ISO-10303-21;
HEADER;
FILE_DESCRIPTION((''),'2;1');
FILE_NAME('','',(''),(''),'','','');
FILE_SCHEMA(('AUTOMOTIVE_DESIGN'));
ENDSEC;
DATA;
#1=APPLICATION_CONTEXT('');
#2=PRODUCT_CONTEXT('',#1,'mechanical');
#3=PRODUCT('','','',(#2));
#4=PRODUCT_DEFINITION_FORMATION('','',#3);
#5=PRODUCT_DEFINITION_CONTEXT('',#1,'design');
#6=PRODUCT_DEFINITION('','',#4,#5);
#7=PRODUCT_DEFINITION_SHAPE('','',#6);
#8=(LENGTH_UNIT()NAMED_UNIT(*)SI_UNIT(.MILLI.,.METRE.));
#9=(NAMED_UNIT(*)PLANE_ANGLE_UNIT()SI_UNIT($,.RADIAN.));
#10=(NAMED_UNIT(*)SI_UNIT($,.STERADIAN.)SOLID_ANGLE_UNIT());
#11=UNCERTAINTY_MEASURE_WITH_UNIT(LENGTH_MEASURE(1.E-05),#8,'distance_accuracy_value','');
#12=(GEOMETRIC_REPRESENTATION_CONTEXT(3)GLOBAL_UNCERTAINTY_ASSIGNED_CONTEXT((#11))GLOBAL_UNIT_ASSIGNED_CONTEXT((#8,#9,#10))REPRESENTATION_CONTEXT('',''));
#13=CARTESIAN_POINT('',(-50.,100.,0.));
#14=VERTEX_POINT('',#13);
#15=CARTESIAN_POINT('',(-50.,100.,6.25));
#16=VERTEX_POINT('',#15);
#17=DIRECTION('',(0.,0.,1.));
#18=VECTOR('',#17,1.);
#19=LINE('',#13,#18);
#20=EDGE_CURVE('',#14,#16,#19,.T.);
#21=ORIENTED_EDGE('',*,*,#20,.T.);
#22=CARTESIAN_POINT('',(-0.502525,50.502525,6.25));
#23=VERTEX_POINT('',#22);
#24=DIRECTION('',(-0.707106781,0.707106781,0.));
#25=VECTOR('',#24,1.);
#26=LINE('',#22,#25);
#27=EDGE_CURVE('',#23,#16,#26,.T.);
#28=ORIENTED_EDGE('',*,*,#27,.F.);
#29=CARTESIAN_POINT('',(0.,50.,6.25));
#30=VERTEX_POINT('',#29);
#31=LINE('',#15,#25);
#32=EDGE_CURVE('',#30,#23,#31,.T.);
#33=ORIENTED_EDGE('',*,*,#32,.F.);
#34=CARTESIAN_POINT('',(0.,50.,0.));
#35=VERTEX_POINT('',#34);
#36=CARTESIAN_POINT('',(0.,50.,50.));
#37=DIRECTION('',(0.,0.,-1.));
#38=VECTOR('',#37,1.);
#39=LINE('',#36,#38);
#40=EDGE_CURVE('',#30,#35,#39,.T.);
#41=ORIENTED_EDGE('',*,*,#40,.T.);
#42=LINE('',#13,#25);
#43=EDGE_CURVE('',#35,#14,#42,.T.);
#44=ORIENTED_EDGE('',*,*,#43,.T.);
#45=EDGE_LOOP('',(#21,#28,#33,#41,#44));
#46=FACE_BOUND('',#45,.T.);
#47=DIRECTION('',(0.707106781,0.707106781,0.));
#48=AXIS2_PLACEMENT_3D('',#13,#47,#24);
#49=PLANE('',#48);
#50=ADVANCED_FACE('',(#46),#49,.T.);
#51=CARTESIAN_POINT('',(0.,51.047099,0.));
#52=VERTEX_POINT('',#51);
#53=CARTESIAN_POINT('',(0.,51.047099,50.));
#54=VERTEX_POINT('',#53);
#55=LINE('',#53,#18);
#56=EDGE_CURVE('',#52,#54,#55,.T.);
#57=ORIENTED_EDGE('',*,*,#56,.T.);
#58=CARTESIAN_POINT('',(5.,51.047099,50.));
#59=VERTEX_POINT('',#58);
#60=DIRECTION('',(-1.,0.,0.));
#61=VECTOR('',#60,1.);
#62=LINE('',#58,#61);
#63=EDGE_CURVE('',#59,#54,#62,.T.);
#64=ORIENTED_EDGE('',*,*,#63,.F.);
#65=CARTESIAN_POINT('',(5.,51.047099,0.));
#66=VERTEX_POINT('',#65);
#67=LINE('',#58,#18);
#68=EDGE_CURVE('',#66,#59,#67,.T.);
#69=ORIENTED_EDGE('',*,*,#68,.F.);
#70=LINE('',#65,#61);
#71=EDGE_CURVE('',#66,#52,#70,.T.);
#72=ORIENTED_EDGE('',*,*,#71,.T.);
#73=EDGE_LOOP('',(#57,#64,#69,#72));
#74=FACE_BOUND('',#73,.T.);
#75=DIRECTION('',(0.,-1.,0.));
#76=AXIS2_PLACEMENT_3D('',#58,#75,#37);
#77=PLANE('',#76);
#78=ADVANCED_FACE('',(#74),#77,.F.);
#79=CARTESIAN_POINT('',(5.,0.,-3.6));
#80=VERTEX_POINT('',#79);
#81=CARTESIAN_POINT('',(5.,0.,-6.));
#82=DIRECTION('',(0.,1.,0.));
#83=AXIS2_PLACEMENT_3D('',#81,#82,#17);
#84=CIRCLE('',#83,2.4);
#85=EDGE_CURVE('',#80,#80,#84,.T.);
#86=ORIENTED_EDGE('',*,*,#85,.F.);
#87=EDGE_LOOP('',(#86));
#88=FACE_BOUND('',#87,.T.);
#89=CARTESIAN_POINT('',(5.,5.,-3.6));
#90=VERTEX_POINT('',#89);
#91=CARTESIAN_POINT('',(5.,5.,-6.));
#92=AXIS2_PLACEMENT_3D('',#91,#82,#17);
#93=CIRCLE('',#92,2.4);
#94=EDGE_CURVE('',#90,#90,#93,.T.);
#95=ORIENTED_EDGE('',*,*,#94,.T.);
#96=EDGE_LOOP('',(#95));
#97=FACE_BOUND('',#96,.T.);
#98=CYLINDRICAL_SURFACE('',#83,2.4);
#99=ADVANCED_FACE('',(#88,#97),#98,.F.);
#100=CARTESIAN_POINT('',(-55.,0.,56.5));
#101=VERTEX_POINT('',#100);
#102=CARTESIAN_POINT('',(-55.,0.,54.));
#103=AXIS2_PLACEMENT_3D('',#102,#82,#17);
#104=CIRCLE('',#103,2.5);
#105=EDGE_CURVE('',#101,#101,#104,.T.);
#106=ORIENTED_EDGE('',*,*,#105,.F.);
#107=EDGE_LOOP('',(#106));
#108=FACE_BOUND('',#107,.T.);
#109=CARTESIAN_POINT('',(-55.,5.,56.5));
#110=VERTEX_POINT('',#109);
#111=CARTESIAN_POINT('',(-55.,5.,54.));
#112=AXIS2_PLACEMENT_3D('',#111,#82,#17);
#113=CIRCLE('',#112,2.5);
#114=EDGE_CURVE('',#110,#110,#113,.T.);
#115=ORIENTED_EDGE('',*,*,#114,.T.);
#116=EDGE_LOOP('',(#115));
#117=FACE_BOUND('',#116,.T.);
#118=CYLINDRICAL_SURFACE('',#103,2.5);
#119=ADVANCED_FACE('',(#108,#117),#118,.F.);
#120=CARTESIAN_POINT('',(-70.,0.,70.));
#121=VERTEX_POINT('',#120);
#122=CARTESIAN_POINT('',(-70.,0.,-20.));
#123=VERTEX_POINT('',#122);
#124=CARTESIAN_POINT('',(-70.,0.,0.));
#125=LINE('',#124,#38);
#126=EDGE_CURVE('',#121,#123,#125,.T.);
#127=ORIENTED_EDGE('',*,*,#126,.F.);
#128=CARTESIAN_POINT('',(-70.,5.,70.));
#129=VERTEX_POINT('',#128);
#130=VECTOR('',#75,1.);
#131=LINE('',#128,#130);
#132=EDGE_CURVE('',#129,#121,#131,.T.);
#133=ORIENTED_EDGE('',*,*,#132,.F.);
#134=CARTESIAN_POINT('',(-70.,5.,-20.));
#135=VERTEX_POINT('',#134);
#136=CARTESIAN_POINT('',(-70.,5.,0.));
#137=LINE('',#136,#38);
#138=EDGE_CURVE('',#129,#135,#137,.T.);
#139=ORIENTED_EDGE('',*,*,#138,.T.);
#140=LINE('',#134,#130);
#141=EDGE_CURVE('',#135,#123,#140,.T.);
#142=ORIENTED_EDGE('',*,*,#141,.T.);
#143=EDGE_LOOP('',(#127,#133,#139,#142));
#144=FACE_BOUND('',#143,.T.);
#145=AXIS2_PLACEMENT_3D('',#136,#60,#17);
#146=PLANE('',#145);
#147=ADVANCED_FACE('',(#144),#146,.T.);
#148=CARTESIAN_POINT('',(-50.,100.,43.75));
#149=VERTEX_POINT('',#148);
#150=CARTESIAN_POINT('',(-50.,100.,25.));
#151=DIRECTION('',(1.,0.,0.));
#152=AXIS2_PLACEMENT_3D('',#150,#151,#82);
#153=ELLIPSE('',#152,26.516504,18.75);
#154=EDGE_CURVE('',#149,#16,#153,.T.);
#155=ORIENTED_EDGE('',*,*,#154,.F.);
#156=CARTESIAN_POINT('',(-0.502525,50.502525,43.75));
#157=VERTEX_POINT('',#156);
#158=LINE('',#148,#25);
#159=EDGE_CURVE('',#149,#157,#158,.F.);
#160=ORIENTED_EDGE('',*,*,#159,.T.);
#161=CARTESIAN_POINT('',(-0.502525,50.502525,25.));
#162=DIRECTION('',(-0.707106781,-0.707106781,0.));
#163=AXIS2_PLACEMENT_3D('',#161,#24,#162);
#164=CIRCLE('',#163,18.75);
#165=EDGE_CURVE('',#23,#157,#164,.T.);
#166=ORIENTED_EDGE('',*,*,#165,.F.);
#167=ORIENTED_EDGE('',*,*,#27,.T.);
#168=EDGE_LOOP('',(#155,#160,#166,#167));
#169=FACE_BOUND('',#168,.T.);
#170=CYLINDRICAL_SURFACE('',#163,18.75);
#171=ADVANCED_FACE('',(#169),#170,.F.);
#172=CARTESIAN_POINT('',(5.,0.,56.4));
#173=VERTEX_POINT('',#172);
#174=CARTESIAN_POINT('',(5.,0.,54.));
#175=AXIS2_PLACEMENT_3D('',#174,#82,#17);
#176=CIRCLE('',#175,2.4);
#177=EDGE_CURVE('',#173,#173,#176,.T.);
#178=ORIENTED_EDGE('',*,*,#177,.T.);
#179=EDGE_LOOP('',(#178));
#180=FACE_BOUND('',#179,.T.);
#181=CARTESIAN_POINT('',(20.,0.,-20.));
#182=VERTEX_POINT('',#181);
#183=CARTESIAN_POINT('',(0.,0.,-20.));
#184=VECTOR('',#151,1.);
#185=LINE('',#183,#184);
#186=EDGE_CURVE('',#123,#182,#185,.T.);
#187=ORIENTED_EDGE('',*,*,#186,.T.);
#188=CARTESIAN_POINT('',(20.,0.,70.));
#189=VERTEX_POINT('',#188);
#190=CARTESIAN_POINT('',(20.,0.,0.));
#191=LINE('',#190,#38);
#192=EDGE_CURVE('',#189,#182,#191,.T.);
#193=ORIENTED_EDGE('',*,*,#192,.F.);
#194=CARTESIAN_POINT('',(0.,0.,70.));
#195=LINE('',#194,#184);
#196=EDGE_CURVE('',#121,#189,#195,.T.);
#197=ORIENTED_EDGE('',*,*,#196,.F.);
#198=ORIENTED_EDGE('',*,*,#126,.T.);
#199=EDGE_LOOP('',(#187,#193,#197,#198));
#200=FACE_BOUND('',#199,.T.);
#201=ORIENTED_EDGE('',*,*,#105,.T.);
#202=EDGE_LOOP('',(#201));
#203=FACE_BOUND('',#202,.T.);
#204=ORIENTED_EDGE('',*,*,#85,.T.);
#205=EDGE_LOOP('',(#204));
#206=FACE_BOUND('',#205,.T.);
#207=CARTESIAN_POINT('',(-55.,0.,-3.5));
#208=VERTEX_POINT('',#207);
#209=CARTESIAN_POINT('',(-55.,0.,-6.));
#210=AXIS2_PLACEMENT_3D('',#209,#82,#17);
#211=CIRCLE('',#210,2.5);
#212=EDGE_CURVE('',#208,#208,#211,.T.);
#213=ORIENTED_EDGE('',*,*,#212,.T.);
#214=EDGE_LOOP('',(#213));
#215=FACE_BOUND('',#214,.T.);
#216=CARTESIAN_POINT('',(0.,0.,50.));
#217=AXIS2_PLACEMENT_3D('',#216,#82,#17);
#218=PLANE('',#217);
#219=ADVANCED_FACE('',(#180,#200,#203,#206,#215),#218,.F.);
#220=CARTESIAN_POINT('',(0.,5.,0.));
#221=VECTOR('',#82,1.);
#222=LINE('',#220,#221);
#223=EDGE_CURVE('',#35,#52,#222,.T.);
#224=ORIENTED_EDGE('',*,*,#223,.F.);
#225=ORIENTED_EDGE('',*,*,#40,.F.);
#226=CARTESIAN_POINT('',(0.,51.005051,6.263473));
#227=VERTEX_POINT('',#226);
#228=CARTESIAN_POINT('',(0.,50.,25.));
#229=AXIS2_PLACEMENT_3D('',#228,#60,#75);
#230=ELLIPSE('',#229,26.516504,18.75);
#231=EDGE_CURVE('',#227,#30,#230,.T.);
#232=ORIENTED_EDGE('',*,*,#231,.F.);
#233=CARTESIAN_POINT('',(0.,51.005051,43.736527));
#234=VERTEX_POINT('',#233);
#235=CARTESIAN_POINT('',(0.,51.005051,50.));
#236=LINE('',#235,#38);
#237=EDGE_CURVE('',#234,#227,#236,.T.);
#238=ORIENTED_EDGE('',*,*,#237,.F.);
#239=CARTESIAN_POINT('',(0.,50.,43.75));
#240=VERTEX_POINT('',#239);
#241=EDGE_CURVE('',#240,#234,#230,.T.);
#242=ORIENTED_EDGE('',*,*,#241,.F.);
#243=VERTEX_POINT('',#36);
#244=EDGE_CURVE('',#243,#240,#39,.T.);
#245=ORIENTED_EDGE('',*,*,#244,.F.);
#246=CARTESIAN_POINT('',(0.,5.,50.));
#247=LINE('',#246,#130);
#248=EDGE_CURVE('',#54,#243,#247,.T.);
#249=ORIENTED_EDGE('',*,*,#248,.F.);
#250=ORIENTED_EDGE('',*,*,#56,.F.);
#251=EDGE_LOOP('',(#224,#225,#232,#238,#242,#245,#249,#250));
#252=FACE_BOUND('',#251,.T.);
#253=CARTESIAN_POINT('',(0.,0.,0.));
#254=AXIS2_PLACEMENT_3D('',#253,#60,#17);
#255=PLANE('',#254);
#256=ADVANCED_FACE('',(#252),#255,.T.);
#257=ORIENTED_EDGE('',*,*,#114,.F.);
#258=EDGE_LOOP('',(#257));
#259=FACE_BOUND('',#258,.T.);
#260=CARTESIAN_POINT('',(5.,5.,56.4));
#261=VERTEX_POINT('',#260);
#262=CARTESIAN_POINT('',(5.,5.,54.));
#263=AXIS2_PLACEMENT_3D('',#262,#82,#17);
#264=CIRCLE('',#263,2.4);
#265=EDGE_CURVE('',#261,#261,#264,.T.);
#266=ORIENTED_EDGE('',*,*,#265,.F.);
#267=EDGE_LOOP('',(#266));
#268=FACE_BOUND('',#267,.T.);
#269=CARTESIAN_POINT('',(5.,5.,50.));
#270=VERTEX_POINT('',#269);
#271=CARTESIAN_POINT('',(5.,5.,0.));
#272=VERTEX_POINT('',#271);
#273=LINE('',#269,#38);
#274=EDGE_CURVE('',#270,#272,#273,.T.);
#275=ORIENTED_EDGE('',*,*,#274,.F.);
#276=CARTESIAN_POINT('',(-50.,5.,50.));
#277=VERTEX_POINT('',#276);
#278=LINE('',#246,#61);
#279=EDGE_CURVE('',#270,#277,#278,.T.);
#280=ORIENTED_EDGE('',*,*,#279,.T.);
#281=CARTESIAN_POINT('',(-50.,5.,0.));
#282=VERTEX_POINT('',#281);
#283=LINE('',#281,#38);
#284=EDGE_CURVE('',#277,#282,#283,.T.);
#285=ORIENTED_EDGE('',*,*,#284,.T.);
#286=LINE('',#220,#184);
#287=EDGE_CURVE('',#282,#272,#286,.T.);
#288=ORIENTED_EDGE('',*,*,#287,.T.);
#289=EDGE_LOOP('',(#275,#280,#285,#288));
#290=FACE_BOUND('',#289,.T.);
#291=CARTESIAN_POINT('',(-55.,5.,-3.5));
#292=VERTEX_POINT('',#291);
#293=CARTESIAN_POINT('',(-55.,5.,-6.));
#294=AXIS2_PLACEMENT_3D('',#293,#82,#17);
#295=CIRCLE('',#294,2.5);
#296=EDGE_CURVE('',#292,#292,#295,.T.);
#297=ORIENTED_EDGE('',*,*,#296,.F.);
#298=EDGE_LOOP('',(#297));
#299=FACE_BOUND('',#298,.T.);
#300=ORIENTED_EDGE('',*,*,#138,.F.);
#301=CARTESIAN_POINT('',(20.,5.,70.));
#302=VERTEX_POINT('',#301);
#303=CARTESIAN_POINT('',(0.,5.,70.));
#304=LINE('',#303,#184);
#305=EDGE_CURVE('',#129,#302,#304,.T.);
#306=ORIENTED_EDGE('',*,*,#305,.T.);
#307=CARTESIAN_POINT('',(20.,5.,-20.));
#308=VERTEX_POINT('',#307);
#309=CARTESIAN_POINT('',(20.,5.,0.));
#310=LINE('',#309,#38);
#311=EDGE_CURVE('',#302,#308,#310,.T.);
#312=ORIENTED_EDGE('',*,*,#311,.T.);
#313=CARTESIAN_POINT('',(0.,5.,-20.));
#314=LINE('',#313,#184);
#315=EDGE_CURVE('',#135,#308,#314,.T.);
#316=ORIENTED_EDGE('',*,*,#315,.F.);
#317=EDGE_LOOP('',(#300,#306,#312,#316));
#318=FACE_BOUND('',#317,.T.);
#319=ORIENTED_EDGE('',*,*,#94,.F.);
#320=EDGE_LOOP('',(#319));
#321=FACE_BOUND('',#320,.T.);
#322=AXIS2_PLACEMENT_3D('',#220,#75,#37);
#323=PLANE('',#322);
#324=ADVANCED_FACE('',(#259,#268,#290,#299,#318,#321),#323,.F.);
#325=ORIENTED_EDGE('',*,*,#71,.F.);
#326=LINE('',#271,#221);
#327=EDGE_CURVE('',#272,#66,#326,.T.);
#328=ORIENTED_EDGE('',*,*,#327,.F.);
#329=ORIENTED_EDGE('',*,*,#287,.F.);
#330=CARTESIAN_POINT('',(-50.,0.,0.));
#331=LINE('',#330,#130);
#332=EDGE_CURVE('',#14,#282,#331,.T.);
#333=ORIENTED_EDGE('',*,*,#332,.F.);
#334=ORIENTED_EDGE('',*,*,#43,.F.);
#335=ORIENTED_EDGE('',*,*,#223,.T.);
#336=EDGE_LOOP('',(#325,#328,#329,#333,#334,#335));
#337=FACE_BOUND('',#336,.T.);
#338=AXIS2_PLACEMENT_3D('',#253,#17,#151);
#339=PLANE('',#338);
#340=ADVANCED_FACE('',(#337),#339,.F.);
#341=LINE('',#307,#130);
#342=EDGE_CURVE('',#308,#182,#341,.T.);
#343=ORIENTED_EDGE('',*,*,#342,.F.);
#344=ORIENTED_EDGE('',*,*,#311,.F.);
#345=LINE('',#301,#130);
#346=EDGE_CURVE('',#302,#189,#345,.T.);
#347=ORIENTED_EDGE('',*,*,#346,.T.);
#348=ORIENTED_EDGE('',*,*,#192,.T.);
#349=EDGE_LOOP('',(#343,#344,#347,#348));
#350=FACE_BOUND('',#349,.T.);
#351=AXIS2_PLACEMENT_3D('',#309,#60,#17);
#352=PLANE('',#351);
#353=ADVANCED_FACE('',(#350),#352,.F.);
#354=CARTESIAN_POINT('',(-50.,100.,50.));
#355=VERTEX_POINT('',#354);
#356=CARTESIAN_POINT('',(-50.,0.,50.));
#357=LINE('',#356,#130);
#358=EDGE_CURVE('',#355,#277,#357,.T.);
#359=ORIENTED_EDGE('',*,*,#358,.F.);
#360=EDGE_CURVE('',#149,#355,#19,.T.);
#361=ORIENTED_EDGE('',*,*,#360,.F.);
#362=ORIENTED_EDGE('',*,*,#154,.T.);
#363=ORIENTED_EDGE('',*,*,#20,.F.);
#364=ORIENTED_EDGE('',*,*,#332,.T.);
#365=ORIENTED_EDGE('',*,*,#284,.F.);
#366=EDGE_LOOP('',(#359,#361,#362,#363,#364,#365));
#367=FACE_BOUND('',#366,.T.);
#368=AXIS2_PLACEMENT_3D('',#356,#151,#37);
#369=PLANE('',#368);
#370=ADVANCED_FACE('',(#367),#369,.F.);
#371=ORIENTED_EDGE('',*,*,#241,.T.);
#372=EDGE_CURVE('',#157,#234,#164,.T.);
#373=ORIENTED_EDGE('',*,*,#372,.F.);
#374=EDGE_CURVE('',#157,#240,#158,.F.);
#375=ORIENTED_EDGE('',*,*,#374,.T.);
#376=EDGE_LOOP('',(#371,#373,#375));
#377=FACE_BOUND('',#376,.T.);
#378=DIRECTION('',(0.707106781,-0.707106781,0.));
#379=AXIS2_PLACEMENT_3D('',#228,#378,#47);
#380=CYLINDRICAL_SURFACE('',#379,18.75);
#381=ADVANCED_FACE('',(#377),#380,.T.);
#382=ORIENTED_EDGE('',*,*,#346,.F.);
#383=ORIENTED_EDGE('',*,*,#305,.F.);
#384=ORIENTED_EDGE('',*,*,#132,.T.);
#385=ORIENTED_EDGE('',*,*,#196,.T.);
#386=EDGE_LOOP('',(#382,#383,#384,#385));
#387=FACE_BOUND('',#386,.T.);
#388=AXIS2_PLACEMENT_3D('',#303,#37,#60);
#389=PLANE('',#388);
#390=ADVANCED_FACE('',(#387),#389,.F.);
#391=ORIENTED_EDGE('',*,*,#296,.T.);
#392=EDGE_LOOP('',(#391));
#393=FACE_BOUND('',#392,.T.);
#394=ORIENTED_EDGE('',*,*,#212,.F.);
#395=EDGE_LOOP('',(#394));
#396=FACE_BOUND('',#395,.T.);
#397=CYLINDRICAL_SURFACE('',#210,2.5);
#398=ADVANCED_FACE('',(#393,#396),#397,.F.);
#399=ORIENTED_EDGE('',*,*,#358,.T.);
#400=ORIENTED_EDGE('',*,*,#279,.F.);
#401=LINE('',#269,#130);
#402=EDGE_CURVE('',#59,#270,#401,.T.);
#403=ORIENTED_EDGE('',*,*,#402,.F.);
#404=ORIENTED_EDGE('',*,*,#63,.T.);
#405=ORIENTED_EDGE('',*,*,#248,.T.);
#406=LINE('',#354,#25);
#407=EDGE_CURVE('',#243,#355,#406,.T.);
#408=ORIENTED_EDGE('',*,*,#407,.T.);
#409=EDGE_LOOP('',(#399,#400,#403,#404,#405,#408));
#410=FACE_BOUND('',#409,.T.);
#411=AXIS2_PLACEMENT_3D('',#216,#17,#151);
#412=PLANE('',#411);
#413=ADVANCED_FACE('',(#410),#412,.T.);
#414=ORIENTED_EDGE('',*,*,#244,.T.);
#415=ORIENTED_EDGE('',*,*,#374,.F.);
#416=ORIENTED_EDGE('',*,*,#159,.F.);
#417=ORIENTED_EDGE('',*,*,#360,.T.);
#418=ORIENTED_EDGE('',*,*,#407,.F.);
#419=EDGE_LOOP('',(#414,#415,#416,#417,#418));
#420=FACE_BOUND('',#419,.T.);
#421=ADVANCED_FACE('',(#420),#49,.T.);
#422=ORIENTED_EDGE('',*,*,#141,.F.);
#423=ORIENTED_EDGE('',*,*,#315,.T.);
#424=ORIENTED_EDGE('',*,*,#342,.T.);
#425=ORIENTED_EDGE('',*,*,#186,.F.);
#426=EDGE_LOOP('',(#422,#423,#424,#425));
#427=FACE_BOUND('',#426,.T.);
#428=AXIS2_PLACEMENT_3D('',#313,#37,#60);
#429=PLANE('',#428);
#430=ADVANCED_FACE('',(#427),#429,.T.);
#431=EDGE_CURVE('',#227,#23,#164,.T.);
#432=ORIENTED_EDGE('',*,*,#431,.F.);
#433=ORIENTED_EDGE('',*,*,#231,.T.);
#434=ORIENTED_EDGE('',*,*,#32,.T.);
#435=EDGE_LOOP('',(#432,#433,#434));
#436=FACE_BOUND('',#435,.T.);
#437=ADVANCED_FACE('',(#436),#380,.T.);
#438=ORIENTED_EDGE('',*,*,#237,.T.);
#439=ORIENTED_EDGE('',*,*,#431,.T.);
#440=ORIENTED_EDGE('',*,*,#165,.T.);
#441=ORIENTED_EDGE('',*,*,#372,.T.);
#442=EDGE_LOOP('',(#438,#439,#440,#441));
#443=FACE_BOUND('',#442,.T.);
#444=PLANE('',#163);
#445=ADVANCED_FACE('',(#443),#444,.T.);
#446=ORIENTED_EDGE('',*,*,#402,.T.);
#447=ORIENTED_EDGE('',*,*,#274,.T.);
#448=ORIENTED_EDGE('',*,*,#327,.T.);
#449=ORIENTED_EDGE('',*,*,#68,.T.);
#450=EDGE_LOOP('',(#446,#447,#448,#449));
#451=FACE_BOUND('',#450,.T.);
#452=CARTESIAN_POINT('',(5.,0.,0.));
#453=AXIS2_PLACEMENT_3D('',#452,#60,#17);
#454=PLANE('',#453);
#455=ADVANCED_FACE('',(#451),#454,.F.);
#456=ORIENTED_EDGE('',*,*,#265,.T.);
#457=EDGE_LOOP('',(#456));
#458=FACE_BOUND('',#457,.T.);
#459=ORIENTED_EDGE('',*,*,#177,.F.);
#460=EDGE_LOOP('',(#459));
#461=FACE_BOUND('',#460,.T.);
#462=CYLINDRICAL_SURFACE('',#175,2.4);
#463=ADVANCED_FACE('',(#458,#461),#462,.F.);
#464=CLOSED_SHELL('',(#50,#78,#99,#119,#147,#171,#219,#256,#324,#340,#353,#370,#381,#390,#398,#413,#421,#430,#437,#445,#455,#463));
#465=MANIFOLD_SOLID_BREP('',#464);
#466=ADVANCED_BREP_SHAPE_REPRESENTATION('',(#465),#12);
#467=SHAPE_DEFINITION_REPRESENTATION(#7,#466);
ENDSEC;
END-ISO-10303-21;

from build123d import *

# Parameters (mm, degrees)
SKETCH1_W               = 50
SKETCH1_H               = 50
BOSS_EXTRUDE1_DEPTH     = 50
BOSS_EXTRUDE2_DEPTH     = 50
SKETCH4_W               = 18.75
SKETCH4_H               = 70.710678119
CUT_EXTRUDE2_DEPTH      = 100
CUT_EXTRUDE2_DEPTH_BACK = 100
SKETCH5_R               = 18.75
SKETCH6_W               = 50
SKETCH6_H               = 50
BOSS_EXTRUDE3_DEPTH     = 5
SKETCH7_W               = 18.75
SKETCH7_H               = 70.710678119
SKETCH9_R               = 18.867934004
BOSS_EXTRUDE6_DEPTH     = 20
SKETCH10_W              = 50
SKETCH10_H              = 65.146880585
CUT_EXTRUDE3_DEPTH      = 40
CUT_EXTRUDE4_START      = -70
SKETCH11_R              = 18.75
CUT_EXTRUDE4_DEPTH      = 70
SKETCH12_W              = 50
SKETCH12_H              = 46.047099175
BOSS_EXTRUDE7_DEPTH     = 5
SKETCH13_R              = 2.4
SKETCH13_R_2            = 2.5
CUT_EXTRUDE5_DEPTH      = 5


with BuildPart() as part:
    # Sketch1 → Boss-Extrude1 (new body)
    with BuildSketch(Plane.XY):
        with Locations((-25, 25)):
            Rectangle(SKETCH1_W, SKETCH1_H)
    extrude(amount=BOSS_EXTRUDE1_DEPTH)

    # Sketch2 → Boss-Extrude2 (add)
    with BuildSketch(Plane.XY.offset(50)):
        Polygon((0, 50), (-50, 50), (-50, 100), align=None)
    extrude(amount=-BOSS_EXTRUDE2_DEPTH)

    # Sketch4 → Revolve1 (revolve)
    with BuildSketch(Plane(origin=(25, 25, 0), x_dir=(0, 0, -1), z_dir=(0.7071067811865477, 0.7071067811865475, 0))):
        with Locations((-34.375, 70.710678118)):
            Rectangle(SKETCH4_W, SKETCH4_H)
    revolve(axis=Axis((-50, 100, 25), (0.7071067811865475, -0.7071067811865477, 0)))

    # Sketch5 → Cut-Extrude2 (cut, two sides: drawn at the far end of the back side and taken through both)
    with BuildSketch(Plane(origin=(-25, 25, 0), x_dir=(0, 0, -1), z_dir=(0.7071067811865477, -0.7071067811865475, 0)).offset(-CUT_EXTRUDE2_DEPTH_BACK)):
        with Locations((-25, 35.355339059)):
            Circle(SKETCH5_R)
    extrude(amount=CUT_EXTRUDE2_DEPTH + CUT_EXTRUDE2_DEPTH_BACK, mode=Mode.SUBTRACT)

    # Sketch6 → Boss-Extrude3 (add)
    with BuildSketch(Plane.XZ):
        Polygon((-70, -20), (-50, -20), (20, -20), (20, 50), (20, 70), (0, 70), (-70, 70), (-70, 0), align=None)
        with Locations((-25, 25)):
            Rectangle(SKETCH6_W, SKETCH6_H, mode=Mode.SUBTRACT)
    extrude(amount=-BOSS_EXTRUDE3_DEPTH)

    # Sketch7 → Revolve2 (revolve)
    with BuildSketch(Plane(origin=(25, 25, 0), x_dir=(0, 0, -1), z_dir=(0.7071067811865477, 0.7071067811865475, 0))):
        with Locations((-34.375, 70.710678118)):
            Rectangle(SKETCH7_W, SKETCH7_H)
    revolve(axis=Axis((0, 50, 25), (-0.7071067811865475, 0.7071067811865477, 0)))

    # Sketch9 → Boss-Extrude6 (add)
    with BuildSketch(Plane(origin=(-25, 25, 0), x_dir=(0, 0, -1), z_dir=(0.7071067811865477, -0.7071067811865475, 0))):
        with Locations((-25.10968595, 35.312009835)):
            Circle(SKETCH9_R)
    extrude(amount=BOSS_EXTRUDE6_DEPTH)

    # Sketch10 → Cut-Extrude3 (cut)
    with BuildSketch(Plane(origin=(0, 0, 0), x_dir=(0, 0, -1), z_dir=(1, 0, 0))):
        with Locations((-25, 49.118259987)):
            Rectangle(SKETCH10_W, SKETCH10_H)
    extrude(amount=CUT_EXTRUDE3_DEPTH, mode=Mode.SUBTRACT)

    # Sketch11 → Cut-Extrude4 (cut)
    with BuildSketch(Plane(origin=(-75, 75, 0), x_dir=(0, 0, 1), z_dir=(-0.7071067811865477, 0.7071067811865475, 0)).offset(CUT_EXTRUDE4_START)):
        with Locations((25, 35.355339059)):
            Circle(SKETCH11_R)
    extrude(amount=CUT_EXTRUDE4_DEPTH, mode=Mode.SUBTRACT)

    # Sketch12 → Boss-Extrude7 (add)
    with BuildSketch(Plane(origin=(0, 0, 0), x_dir=(0, 0, -1), z_dir=(1, 0, 0))):
        with Locations((-25, 28.023549588)):
            Rectangle(SKETCH12_W, SKETCH12_H)
    extrude(amount=BOSS_EXTRUDE7_DEPTH)

    # Sketch13 → Cut-Extrude5 (cut)
    with BuildSketch(Plane(origin=(0, 5, 0), x_dir=(1, 0, 0), z_dir=(0, 1, 0))):
        with Locations((5, 6)):
            Circle(SKETCH13_R)
        with Locations((5, -54)):
            Circle(SKETCH13_R)
        with Locations((-55, 6)):
            Circle(SKETCH13_R_2)
        with Locations((-55, -54)):
            Circle(SKETCH13_R_2)
    extrude(amount=-CUT_EXTRUDE5_DEPTH, mode=Mode.SUBTRACT)


solid = part.part
